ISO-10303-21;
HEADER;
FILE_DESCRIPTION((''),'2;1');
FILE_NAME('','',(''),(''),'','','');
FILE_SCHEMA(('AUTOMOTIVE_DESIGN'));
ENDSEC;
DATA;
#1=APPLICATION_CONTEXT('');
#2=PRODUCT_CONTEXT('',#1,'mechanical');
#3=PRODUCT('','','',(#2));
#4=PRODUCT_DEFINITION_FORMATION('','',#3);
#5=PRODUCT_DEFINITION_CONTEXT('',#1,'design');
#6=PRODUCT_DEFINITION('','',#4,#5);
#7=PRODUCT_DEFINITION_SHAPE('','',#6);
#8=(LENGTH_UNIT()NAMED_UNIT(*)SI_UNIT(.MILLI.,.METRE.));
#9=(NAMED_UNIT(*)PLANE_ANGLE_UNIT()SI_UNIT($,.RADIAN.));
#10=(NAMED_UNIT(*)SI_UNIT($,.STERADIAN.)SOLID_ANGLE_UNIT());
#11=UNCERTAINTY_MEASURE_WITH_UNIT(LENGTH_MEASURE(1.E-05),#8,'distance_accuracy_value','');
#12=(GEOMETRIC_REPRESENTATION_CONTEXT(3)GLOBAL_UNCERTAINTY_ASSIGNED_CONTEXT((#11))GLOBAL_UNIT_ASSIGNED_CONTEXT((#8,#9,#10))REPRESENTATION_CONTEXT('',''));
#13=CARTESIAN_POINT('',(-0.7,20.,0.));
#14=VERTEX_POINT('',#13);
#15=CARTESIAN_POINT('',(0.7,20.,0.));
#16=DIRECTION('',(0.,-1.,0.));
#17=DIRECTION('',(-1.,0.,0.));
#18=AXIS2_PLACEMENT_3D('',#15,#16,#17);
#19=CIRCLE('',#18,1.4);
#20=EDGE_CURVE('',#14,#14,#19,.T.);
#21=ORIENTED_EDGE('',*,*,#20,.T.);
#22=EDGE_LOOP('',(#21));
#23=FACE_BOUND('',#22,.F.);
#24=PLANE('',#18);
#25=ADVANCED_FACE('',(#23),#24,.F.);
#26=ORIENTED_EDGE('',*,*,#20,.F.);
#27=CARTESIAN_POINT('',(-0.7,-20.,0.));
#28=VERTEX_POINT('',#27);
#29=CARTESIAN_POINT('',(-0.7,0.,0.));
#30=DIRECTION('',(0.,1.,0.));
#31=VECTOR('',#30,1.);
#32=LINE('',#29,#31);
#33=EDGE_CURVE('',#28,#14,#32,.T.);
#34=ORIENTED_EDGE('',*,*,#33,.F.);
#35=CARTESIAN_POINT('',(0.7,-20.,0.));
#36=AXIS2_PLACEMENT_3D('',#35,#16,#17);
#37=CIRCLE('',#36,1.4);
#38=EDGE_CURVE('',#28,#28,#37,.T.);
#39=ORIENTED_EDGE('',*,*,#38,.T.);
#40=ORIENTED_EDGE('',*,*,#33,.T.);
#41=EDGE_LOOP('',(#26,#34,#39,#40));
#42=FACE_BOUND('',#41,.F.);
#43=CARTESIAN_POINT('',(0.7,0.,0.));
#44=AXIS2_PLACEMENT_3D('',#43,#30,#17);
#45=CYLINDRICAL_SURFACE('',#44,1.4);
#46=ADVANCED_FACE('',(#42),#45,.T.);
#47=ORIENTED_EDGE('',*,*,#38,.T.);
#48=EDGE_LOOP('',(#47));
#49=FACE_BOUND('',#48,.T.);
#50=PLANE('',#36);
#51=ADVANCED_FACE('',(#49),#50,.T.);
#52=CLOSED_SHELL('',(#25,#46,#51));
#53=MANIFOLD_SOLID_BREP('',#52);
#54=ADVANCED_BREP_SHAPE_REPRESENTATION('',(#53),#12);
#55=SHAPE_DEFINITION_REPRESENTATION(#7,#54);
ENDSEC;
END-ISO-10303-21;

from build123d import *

# Parameters (mm, degrees)
SKETCH1_W = 1.4
SKETCH1_H = 40


with BuildPart() as part:
    # Sketch1 → Revolve1 (revolve)
    with BuildSketch(Plane.XY):
        Rectangle(SKETCH1_W, SKETCH1_H)
    revolve(axis=Axis((0.7, 20, 0), (0, -1, 0)))


solid = part.part
